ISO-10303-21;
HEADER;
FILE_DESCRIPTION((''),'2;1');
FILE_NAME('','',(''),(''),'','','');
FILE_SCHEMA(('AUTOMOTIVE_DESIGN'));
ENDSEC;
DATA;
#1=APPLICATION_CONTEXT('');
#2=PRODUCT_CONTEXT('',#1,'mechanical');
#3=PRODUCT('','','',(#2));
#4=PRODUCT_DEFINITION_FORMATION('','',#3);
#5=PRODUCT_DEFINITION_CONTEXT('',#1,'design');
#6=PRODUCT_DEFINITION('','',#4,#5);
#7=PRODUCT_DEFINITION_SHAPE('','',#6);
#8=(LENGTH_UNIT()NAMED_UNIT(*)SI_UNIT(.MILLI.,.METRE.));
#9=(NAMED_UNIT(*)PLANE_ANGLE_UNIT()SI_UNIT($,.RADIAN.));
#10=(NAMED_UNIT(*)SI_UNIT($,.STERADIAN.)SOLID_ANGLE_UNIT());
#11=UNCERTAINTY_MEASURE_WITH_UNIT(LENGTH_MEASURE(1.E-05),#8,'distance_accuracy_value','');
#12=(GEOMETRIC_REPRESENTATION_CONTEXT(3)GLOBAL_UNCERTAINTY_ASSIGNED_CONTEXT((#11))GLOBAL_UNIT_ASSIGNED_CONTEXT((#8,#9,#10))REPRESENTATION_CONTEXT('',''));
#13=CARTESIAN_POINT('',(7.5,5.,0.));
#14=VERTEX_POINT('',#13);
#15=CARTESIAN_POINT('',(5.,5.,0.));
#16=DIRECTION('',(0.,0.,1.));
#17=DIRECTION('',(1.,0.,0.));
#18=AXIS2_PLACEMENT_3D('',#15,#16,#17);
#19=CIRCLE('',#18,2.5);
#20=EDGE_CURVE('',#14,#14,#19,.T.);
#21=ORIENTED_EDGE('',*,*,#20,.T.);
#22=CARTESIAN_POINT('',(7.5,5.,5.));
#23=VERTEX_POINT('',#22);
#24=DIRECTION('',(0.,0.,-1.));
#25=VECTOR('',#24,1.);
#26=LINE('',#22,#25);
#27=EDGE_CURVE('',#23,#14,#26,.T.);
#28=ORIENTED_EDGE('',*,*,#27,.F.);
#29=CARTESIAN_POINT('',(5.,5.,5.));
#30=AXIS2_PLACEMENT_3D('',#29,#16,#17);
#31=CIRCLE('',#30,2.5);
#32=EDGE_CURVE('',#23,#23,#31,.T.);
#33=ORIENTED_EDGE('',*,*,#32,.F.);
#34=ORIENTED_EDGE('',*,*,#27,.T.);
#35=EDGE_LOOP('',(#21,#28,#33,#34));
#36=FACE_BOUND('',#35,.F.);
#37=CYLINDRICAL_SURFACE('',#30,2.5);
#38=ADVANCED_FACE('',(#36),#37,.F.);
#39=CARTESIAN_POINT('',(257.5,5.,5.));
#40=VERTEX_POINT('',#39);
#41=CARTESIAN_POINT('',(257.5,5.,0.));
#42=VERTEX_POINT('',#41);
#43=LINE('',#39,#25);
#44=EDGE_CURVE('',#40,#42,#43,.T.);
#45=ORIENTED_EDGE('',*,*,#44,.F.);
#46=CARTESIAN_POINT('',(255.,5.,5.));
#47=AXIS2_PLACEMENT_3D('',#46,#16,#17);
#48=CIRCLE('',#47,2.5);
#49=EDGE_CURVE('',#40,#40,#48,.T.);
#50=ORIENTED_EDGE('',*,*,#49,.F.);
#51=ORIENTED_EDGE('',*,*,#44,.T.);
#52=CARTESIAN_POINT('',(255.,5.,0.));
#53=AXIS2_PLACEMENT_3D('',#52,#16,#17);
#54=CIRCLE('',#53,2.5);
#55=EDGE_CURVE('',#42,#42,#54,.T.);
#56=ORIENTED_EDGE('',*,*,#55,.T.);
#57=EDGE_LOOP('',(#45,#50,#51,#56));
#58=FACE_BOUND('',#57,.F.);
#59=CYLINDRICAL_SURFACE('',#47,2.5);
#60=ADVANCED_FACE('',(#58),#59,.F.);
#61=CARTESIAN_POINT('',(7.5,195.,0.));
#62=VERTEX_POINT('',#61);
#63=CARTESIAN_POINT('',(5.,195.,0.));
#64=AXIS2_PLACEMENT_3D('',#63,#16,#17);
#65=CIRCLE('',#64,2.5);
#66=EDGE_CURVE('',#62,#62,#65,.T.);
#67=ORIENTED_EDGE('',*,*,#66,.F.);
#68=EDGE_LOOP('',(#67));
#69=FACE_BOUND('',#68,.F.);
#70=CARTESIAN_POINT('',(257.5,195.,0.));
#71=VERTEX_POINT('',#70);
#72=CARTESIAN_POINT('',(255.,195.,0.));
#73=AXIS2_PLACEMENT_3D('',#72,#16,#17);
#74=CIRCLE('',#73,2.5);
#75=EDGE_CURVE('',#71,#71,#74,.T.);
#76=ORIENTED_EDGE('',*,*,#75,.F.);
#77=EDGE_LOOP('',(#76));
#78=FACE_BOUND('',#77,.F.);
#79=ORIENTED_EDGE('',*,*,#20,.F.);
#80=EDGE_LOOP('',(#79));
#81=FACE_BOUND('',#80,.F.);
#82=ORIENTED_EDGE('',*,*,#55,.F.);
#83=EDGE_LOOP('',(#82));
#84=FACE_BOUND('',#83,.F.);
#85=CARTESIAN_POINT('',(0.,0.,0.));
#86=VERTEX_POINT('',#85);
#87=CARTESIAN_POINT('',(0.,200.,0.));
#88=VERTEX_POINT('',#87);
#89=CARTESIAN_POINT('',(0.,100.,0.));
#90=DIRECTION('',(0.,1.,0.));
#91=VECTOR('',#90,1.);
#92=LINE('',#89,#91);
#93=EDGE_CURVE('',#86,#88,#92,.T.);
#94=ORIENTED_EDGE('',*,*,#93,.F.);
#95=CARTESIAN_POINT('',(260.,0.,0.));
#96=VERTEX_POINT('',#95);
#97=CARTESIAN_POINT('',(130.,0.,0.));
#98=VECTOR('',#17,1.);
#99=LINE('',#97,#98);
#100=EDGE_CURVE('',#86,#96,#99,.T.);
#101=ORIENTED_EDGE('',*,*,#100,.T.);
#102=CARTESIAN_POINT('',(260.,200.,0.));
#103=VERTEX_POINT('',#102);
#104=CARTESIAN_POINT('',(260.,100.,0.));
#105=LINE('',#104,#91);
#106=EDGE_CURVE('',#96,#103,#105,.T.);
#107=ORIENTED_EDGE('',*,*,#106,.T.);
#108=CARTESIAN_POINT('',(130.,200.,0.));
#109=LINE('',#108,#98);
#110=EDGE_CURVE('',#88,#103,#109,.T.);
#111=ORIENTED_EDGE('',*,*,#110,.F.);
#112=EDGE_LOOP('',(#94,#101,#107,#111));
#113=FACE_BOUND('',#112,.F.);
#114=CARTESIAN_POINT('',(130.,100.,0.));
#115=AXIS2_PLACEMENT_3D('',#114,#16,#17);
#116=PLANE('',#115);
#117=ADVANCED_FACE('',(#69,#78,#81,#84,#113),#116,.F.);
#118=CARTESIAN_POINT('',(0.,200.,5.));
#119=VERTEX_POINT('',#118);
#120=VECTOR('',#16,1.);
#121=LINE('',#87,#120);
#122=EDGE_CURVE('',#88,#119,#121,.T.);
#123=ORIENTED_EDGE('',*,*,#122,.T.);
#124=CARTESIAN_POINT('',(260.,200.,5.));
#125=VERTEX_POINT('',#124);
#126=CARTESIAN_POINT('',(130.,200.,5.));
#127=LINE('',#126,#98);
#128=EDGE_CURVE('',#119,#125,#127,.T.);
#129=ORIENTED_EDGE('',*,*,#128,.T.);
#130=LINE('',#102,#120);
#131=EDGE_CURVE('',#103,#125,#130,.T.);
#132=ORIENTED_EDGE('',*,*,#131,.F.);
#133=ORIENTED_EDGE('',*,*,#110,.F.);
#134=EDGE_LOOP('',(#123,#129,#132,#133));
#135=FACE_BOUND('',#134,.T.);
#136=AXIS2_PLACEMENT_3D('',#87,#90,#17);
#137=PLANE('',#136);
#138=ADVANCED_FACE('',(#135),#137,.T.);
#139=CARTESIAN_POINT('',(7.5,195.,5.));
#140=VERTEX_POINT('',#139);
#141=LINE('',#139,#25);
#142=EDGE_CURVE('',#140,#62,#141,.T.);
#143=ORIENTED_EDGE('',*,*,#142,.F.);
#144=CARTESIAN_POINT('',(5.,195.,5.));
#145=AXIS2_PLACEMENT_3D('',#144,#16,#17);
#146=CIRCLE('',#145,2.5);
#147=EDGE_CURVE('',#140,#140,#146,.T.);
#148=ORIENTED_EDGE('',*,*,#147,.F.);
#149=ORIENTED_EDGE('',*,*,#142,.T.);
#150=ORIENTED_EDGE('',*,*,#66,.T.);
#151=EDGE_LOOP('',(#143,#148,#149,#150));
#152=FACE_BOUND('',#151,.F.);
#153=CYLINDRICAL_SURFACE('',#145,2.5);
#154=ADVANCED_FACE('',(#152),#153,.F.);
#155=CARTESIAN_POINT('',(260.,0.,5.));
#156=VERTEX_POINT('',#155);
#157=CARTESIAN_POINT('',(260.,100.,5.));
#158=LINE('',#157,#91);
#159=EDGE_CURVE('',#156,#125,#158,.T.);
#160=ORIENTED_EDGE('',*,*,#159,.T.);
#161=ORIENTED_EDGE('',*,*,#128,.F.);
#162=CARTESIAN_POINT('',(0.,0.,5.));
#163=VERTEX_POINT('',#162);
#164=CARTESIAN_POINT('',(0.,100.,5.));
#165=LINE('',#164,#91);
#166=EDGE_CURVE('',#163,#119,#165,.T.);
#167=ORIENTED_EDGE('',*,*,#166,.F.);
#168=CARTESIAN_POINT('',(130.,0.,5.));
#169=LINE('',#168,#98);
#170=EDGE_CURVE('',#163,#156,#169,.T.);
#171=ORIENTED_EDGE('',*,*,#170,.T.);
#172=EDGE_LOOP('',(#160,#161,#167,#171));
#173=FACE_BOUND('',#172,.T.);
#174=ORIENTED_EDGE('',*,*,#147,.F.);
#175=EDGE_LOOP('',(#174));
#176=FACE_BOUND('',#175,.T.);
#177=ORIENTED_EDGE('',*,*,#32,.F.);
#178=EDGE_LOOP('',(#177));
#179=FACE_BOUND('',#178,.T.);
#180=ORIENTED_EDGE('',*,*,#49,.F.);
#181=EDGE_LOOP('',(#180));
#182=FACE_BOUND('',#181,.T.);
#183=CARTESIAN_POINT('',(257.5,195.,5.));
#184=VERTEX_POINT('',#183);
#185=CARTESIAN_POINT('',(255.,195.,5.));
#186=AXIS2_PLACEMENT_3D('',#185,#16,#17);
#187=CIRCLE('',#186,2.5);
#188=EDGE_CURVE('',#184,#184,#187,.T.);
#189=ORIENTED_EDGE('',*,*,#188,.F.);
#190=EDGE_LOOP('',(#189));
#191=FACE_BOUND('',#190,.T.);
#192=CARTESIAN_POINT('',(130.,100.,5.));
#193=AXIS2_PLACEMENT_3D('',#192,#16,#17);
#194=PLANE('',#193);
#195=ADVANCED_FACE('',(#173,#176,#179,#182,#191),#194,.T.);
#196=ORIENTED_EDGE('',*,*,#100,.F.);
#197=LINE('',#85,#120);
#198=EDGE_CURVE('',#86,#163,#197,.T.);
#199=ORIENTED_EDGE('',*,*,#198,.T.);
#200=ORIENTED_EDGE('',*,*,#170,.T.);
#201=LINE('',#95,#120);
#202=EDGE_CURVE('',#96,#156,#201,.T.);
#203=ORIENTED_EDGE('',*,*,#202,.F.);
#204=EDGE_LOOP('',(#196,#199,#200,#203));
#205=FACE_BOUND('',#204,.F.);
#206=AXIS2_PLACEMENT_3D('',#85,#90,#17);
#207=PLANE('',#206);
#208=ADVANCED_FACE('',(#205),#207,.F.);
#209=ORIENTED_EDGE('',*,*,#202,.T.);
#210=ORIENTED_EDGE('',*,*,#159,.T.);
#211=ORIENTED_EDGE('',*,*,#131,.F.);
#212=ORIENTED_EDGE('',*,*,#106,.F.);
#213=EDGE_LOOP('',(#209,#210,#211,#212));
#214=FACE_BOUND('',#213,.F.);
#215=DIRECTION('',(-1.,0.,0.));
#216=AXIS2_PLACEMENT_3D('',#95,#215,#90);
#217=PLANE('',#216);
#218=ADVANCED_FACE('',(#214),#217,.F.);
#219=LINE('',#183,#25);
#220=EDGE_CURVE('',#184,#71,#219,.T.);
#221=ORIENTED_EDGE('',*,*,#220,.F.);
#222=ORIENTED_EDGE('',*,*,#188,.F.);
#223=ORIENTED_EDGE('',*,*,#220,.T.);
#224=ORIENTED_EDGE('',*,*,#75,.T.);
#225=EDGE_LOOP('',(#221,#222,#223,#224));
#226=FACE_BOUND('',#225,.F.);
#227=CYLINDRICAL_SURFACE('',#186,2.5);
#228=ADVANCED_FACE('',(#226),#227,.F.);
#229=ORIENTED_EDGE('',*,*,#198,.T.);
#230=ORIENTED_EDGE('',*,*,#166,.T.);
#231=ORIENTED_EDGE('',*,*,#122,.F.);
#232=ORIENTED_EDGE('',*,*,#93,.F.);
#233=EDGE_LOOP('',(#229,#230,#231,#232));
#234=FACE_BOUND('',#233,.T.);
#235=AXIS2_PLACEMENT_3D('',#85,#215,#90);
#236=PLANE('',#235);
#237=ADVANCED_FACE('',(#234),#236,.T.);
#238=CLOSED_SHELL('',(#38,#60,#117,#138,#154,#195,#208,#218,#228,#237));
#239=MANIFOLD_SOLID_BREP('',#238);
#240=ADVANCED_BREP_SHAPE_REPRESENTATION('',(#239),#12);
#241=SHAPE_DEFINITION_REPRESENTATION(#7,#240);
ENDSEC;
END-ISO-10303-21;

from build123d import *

# Parameters (mm, degrees)
SKETCH_W     = 260
SKETCH_H     = 200
PAD_DEPTH    = 5
SKETCH001_R  = 2.5
POCKET_DEPTH = 5.001


with BuildPart() as part:
    # Sketch → Pad (new body)
    with BuildSketch(Plane.XY):
        with Locations((130, 100)):
            Rectangle(SKETCH_W, SKETCH_H)
    extrude(amount=PAD_DEPTH)

    # Sketch001 (on Face6 of Pad) → Pocket (cut, through all)
    with BuildSketch(Plane.XY.offset(5)):
        with Locations((5, 5)):
            Circle(SKETCH001_R)
        with Locations((5, 195)):
            Circle(SKETCH001_R)
        with Locations((255, 195)):
            Circle(SKETCH001_R)
        with Locations((255, 5)):
            Circle(SKETCH001_R)
    extrude(amount=-POCKET_DEPTH, mode=Mode.SUBTRACT)


solid = part.part
